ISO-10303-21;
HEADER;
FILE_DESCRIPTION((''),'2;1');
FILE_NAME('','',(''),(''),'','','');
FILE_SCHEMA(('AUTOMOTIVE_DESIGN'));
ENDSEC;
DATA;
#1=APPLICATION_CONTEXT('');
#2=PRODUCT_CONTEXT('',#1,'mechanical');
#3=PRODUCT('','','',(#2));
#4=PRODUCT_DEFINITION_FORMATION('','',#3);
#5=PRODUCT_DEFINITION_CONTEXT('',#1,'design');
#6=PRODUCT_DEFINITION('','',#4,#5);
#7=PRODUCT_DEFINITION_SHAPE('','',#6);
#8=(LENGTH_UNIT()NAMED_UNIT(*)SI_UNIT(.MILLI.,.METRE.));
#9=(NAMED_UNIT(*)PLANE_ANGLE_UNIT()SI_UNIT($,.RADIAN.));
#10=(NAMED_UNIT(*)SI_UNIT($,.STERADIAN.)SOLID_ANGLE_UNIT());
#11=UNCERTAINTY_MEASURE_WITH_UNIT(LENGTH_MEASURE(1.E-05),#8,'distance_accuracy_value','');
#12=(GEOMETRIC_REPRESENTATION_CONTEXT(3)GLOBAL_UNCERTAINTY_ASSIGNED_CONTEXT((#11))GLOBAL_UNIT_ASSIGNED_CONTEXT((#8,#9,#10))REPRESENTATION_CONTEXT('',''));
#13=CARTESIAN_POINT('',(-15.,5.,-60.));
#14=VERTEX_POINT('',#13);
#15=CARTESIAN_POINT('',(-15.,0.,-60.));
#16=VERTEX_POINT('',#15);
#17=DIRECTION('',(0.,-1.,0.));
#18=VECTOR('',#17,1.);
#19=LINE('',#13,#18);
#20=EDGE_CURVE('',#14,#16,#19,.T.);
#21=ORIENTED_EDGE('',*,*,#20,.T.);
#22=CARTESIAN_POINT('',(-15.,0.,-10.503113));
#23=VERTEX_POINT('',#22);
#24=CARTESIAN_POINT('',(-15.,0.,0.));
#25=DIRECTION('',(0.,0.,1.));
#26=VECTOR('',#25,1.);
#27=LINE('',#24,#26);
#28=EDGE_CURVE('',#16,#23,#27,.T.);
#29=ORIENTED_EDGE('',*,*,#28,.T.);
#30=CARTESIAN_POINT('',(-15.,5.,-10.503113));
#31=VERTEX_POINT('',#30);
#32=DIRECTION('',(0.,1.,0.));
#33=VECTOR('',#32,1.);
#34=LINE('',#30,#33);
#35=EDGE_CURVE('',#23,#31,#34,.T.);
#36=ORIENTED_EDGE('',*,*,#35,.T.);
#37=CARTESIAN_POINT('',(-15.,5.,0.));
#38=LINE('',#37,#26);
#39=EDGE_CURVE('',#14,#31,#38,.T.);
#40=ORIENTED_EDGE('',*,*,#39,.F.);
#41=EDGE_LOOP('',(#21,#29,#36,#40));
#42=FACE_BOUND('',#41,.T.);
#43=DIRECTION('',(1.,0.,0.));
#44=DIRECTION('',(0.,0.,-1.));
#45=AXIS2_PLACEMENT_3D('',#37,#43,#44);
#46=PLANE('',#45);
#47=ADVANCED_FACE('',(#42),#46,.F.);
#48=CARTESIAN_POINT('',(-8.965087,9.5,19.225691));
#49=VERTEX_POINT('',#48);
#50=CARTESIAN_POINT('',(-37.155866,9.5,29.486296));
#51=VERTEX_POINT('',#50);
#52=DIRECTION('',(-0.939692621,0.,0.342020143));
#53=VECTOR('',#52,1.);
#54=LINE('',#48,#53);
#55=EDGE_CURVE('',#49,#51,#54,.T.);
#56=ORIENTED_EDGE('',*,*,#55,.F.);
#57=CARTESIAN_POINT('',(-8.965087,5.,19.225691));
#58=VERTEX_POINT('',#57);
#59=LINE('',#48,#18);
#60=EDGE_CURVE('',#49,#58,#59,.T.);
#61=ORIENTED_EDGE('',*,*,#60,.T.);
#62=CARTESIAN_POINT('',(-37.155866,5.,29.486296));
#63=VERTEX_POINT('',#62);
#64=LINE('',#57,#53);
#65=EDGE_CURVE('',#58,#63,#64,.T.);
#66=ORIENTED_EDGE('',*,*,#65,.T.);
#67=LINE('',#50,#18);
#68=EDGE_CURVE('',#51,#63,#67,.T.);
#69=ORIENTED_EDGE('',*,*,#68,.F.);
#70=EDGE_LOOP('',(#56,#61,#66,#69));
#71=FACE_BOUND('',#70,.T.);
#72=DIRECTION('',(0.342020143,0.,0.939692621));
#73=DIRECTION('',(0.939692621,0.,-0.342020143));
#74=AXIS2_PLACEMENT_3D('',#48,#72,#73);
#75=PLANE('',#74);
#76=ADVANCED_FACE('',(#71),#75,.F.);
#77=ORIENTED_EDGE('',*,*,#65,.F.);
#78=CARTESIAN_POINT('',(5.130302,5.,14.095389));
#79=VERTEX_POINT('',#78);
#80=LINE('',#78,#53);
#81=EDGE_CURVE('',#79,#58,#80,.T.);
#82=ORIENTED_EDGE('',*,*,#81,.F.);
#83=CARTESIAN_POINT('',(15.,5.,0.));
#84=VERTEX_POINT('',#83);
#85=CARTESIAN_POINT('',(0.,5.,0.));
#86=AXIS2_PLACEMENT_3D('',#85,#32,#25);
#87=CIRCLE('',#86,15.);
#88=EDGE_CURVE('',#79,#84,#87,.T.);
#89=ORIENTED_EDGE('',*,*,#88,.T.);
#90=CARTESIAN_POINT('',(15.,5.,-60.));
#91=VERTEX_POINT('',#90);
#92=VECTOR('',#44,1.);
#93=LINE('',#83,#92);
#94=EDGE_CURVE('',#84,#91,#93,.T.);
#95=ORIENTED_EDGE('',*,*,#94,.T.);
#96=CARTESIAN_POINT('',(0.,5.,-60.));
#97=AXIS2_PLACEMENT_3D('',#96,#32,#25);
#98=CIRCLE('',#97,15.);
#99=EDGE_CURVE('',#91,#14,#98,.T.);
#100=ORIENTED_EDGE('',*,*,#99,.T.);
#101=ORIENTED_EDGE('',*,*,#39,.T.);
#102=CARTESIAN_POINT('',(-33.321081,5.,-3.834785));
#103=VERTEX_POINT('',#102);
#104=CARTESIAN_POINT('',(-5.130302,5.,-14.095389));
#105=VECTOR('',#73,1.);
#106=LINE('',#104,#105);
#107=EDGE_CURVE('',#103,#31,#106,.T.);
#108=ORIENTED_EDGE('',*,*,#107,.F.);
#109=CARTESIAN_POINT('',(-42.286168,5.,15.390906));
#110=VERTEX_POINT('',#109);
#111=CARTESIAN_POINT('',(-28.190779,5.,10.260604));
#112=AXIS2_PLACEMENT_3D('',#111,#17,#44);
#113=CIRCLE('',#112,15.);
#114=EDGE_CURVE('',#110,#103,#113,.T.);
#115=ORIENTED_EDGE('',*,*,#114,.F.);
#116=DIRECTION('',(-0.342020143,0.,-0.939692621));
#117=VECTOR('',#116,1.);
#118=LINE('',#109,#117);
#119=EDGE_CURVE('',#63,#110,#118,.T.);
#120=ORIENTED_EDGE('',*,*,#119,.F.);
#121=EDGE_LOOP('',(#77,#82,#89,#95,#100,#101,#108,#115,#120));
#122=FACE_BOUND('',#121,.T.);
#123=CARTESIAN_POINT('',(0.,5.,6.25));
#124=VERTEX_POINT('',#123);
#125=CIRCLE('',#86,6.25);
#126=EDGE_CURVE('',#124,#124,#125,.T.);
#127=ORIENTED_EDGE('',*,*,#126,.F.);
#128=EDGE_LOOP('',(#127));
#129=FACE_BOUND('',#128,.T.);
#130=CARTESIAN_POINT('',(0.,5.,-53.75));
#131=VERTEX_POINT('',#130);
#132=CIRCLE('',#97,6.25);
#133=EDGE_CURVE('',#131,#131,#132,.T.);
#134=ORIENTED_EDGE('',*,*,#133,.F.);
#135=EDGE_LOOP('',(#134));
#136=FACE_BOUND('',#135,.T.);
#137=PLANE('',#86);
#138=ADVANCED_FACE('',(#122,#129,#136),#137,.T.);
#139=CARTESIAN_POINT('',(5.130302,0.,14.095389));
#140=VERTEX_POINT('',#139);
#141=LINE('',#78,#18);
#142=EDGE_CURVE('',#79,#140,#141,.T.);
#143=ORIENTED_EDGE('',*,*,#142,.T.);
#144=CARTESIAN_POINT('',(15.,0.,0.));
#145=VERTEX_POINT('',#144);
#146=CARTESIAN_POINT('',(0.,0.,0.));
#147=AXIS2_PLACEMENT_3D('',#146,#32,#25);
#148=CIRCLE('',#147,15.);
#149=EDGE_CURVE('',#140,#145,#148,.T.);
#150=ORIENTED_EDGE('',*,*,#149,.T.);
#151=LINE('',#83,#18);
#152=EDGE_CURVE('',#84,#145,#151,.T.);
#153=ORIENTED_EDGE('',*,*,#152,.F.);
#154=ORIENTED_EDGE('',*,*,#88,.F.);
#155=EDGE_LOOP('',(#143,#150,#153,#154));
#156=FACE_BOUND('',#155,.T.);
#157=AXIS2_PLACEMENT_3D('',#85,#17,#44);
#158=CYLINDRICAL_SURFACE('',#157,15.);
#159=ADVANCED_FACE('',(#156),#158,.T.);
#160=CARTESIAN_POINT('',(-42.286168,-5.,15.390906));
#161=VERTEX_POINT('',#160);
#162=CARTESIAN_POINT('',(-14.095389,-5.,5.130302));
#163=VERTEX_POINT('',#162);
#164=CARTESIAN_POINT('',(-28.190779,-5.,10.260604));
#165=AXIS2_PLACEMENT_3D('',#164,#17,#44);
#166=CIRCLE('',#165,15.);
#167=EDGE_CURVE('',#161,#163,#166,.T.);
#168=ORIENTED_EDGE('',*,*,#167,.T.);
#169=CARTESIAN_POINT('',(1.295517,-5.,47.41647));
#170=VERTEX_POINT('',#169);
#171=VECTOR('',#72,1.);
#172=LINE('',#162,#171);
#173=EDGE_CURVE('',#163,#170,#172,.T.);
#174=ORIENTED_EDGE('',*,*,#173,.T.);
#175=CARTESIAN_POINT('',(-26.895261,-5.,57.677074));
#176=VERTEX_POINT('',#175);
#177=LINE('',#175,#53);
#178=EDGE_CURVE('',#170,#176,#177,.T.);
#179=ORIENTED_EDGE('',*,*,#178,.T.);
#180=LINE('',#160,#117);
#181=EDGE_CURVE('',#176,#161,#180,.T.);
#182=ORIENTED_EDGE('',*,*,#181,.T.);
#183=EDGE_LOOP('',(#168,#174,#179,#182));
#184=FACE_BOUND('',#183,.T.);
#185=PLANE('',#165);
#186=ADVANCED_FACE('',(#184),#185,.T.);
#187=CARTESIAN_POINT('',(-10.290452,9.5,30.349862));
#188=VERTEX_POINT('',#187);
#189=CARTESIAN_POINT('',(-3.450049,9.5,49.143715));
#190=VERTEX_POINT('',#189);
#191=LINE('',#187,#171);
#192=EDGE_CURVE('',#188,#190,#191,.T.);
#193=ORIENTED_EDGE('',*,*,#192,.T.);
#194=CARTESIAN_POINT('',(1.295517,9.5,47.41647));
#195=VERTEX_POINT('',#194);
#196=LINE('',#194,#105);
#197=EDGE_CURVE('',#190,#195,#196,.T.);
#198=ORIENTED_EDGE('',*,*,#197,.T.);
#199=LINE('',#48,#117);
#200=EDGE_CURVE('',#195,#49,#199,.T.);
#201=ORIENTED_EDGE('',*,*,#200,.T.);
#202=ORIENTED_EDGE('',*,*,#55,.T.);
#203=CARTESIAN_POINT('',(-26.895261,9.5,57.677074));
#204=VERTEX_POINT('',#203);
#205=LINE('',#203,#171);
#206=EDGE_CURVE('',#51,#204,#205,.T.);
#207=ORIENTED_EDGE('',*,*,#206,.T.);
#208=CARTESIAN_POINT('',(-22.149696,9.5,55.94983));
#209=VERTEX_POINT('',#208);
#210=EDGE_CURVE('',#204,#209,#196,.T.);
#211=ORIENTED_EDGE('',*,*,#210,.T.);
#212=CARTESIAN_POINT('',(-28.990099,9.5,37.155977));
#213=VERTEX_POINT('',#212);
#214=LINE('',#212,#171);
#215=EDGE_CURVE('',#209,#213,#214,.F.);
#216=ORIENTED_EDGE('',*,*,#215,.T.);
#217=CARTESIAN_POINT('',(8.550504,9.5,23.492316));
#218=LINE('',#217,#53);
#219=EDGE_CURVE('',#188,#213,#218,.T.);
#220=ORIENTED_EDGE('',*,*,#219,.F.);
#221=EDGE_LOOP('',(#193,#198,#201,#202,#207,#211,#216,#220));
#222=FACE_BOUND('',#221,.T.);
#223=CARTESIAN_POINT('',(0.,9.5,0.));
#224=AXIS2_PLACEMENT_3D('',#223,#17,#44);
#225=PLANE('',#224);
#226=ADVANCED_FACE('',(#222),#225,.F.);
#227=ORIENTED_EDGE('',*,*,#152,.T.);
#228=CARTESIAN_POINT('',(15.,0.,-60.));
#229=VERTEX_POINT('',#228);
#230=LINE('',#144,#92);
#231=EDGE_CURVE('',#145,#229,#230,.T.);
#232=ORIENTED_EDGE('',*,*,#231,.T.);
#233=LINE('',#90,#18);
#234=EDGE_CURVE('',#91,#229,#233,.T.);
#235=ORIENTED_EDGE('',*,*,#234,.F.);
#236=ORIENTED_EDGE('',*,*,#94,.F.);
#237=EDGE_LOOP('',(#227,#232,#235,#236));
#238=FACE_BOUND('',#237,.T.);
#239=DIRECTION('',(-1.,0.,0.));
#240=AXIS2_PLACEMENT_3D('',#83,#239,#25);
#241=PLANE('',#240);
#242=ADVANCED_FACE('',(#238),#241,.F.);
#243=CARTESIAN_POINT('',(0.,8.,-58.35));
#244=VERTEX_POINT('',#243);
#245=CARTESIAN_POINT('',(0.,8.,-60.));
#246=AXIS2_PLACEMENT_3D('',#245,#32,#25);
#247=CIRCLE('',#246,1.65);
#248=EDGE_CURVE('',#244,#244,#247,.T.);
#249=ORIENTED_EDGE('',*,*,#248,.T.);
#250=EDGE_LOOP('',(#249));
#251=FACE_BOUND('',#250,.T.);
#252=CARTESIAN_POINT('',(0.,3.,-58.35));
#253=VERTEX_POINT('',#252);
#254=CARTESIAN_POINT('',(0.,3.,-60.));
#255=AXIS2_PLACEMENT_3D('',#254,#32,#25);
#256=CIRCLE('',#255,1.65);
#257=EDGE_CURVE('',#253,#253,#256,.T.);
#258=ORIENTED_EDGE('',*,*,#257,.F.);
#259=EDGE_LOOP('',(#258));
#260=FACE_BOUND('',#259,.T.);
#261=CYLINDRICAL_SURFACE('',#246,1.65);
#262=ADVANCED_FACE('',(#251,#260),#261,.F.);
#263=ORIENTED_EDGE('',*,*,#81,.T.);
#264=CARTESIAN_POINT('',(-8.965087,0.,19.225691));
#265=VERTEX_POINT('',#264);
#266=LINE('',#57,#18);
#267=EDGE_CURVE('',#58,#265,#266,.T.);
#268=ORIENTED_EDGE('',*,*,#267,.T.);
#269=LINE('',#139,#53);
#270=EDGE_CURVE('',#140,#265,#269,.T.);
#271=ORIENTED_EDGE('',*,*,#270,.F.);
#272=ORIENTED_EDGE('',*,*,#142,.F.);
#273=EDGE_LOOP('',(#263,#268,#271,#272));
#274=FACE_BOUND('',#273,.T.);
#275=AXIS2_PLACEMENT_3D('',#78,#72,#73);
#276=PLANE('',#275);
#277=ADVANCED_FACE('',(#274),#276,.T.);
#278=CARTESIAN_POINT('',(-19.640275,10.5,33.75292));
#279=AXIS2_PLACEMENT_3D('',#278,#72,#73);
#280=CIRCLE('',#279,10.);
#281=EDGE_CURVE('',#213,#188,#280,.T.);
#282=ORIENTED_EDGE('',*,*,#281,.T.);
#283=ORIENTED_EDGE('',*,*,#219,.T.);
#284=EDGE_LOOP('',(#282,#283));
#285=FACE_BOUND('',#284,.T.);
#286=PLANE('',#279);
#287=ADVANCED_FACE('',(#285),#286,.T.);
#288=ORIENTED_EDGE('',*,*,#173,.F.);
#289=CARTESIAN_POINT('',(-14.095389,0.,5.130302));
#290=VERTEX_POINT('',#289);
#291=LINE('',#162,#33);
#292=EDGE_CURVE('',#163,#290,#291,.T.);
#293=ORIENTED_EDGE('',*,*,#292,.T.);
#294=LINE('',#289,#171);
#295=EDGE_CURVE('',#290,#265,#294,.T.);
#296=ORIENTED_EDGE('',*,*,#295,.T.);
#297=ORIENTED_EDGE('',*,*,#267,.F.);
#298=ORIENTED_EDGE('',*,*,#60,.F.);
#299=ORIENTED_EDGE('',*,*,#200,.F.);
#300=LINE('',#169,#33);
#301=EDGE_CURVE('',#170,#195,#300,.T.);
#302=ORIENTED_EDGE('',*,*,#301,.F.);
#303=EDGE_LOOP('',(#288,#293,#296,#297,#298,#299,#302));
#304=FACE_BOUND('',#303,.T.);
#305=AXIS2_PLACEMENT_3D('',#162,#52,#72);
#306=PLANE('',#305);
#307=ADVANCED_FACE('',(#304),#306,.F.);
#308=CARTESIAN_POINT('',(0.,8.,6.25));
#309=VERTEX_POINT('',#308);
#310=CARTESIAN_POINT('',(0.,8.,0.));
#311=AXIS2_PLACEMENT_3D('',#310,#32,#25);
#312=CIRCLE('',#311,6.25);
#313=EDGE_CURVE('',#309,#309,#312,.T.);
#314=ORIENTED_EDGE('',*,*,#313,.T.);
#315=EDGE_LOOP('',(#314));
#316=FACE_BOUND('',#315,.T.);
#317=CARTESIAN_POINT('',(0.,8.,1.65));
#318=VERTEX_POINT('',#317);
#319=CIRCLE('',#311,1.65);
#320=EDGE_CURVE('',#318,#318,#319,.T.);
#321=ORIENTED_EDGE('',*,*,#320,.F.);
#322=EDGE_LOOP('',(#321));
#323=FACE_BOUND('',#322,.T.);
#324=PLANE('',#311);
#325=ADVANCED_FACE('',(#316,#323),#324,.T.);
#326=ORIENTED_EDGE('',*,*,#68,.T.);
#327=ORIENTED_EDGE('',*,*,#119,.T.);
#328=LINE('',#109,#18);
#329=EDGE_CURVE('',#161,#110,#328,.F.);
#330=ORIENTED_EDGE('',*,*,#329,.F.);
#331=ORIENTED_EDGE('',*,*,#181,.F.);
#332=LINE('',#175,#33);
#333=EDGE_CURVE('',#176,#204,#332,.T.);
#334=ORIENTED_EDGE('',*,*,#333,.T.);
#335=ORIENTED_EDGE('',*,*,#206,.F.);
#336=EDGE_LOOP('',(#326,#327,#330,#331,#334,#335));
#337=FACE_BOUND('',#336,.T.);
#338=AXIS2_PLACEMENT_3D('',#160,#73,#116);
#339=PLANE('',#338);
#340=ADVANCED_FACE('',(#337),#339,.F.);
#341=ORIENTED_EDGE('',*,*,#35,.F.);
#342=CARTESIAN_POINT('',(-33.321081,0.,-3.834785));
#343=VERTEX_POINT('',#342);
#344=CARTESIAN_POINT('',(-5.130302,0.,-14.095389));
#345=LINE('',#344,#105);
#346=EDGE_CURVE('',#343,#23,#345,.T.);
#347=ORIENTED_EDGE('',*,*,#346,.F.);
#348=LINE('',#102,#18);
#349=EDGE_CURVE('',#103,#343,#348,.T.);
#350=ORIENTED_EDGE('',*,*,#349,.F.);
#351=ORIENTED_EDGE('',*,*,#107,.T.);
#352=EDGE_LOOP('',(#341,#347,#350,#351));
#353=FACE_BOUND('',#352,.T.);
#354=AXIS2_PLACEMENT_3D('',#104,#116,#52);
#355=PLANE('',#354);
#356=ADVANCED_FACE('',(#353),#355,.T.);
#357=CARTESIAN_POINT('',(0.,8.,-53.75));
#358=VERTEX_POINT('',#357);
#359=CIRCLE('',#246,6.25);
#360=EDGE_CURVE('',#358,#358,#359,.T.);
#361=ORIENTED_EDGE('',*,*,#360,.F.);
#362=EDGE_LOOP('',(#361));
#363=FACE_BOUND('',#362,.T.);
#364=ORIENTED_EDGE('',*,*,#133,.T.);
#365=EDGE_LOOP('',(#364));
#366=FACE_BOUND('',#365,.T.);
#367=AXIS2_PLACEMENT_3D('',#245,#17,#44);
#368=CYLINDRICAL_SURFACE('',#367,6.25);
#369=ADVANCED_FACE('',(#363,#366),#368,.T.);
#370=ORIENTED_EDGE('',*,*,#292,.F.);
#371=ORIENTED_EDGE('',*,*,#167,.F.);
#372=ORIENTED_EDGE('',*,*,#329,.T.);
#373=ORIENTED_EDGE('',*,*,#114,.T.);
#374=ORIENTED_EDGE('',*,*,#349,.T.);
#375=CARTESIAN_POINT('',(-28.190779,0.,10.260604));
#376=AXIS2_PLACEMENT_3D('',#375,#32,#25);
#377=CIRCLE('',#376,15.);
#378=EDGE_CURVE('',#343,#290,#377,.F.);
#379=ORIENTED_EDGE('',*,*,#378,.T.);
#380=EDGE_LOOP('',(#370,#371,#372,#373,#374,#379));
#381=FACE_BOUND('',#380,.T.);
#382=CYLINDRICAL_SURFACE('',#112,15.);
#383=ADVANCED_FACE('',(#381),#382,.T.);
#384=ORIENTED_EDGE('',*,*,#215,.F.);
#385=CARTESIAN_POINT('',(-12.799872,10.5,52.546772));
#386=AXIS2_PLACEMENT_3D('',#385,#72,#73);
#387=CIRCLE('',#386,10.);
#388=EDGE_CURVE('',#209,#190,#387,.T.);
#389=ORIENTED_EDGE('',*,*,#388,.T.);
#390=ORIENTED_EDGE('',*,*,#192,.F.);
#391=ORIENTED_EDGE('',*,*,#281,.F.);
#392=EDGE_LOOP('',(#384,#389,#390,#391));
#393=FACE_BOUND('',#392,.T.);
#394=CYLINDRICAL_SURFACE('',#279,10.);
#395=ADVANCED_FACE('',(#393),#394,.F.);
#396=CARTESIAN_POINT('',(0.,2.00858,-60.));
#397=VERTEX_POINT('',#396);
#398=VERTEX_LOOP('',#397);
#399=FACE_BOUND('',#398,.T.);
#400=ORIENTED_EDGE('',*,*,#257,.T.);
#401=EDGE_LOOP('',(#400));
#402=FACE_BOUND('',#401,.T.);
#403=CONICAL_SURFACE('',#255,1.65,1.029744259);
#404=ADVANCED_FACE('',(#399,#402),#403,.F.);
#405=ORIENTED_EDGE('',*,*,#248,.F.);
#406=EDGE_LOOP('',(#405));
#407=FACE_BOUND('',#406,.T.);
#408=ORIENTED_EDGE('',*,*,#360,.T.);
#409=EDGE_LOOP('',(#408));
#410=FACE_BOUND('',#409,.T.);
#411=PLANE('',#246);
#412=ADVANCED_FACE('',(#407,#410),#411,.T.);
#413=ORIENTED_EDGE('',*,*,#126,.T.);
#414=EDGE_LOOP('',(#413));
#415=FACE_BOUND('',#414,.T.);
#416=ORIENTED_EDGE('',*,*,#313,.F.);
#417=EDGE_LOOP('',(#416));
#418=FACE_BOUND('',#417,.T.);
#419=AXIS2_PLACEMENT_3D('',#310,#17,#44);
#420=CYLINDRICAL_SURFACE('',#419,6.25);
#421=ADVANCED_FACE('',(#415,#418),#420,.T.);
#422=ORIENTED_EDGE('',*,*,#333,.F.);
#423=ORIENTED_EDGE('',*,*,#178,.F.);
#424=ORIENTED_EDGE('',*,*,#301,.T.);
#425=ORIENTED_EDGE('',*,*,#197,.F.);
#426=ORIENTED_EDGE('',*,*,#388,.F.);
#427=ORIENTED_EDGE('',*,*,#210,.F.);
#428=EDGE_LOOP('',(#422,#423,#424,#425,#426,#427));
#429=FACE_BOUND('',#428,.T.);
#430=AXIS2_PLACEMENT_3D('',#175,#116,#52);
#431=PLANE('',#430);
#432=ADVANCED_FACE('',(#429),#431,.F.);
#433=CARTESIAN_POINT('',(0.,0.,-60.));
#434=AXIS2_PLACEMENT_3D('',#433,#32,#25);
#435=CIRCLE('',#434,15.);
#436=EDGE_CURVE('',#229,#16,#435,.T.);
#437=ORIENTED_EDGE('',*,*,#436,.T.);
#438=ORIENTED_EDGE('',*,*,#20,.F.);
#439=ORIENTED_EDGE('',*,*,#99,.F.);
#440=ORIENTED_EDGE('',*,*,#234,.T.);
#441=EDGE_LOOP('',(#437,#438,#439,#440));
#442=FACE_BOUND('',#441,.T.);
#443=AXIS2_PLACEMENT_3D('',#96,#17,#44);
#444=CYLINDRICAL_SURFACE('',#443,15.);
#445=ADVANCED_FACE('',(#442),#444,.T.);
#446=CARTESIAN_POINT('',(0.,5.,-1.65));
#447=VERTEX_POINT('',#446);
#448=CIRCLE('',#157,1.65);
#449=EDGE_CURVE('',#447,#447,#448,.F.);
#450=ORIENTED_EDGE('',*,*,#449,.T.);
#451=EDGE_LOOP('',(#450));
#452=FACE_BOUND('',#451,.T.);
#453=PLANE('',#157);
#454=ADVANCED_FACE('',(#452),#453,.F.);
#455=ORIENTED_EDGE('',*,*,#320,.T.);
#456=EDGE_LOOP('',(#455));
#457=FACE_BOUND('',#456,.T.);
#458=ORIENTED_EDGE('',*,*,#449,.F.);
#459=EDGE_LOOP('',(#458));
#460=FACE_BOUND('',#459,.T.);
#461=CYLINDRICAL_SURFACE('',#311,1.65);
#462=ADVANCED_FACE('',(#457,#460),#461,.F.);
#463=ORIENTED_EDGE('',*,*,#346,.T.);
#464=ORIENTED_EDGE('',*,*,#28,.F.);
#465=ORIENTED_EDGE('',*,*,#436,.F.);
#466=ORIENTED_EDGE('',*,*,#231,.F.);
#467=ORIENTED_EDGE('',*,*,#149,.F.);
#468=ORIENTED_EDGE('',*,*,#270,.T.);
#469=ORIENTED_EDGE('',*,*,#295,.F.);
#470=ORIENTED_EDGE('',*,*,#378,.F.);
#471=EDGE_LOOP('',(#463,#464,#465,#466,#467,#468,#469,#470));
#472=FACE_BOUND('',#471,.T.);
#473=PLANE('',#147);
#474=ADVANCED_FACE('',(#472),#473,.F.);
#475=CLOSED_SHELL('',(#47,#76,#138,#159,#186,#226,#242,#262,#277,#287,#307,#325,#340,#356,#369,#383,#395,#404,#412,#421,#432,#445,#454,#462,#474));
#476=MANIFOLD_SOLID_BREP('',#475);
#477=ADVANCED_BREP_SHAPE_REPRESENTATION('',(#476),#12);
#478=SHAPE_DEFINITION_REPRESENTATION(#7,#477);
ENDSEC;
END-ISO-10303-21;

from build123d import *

# Parameters (mm, degrees)
EXTRUDE_1_DEPTH        = 5
SKETCH_2_R             = 6.25
EXTRUDE_2_DEPTH        = 3
HOLE_WIZARD_M4_1_D     = 3.3
HOLE_WIZARD_M4_1_DEPTH = 5
HOLE_WIZARD_M4_1_TIP   = 0.991420021
EXTRUDE_3_DEPTH        = 5
EXTRUDE_4_DEPTH        = 5
EXTRUDE_4_DEPTH_BACK   = 5
EXTRUDE_5_DEPTH        = 4.5
SKETCH_12_R            = 10
CUT_EXTRUDE_1_DEPTH    = 20


with BuildPart() as part:
    # 스케치1 → 보스-돌출1 (new body)
    with BuildSketch(Plane(origin=(0, 0, 0), x_dir=(1, 0, 0), z_dir=(0, 1, 0))):
        with BuildLine():
            Line((-15, 0), (-15, 60))
            ThreePointArc((-15, 60), (0, 75), (15, 60))
            Line((15, 60), (15, 0))
            ThreePointArc((15, 0), (0, -15), (-15, 0))
        make_face()
    extrude(amount=EXTRUDE_1_DEPTH)

    # 스케치2 → 보스-돌출2 (add)
    with BuildSketch(Plane(origin=(0, 5, 0), x_dir=(1, 0, 0), z_dir=(0, 1, 0))):
        with Locations((0, 60)):
            Circle(SKETCH_2_R)
        Circle(SKETCH_2_R)
    extrude(amount=EXTRUDE_2_DEPTH)

    # M4 탭을 위한 탭 드릴1
    with Locations(Plane(origin=(0, 8, 0), x_dir=(1, 0, 0), z_dir=(0, 1, 0))):
        with Locations((0, 0), (0, 60)):
            Hole(HOLE_WIZARD_M4_1_D / 2, depth=HOLE_WIZARD_M4_1_DEPTH)
            with Locations((0, 0, -(HOLE_WIZARD_M4_1_DEPTH + HOLE_WIZARD_M4_1_TIP / 2))):  # 118° drill point
                Cone(0, HOLE_WIZARD_M4_1_D / 2, HOLE_WIZARD_M4_1_TIP, mode=Mode.SUBTRACT)

    # 스케치9 → 보스-돌출3 (add)
    with BuildSketch(Plane.XZ):
        with BuildLine():
            Line((-5.13030215, -14.095389312), (-33.321080773, -3.834785012))
            ThreePointArc((-33.321080773, -3.834785012), (-42.286167935, 15.39090645), (-23.060476474, 24.355993612))
            Line((-23.060476474, 24.355993612), (5.13030215, 14.095389312))
            ThreePointArc((5.13030215, 14.095389312), (14.095389312, -5.13030215), (-5.13030215, -14.095389312))
        make_face()
    extrude(amount=-EXTRUDE_3_DEPTH)

    # 스케치10 → 보스-돌출4 (add, two sides: drawn at the far end of the back side and taken through both)
    with BuildSketch(Plane.XZ.offset(-EXTRUDE_4_DEPTH_BACK)):
        with BuildLine():
            Line((-42.286167935, 15.39090645), (-26.895261486, 57.677074385))
            Line((-26.895261486, 57.677074385), (1.295517138, 47.416470085))
            Line((1.295517138, 47.416470085), (-14.095389312, 5.13030215))
            ThreePointArc((-14.095389312, 5.13030215), (-33.321080773, -3.834785012), (-42.286167935, 15.39090645))
        make_face()
    extrude(amount=EXTRUDE_4_DEPTH + EXTRUDE_4_DEPTH_BACK)

    # 스케치11 → 보스-돌출5 (add)
    with BuildSketch(Plane(origin=(0, 5, 0), x_dir=(1, 0, 0), z_dir=(0, 1, 0))):
        Polygon((-26.895261486, -57.677074385), (-37.155865785, -29.486295761), (-8.965087162, -19.225691462), (1.295517138, -47.416470085), align=None)
    extrude(amount=EXTRUDE_5_DEPTH)

    # 스케치12 → 컷-돌출1 (cut)
    with BuildSketch(Plane(origin=(15.39090645, 0, 42.286167935), x_dir=(0.9396926207859109, 0, -0.342020143325662), z_dir=(0.342020143325662, 0, 0.9396926207859109))):
        with Locations((-30, 10.5)):
            Circle(SKETCH_12_R)
    extrude(amount=-CUT_EXTRUDE_1_DEPTH, mode=Mode.SUBTRACT)


solid = part.part
